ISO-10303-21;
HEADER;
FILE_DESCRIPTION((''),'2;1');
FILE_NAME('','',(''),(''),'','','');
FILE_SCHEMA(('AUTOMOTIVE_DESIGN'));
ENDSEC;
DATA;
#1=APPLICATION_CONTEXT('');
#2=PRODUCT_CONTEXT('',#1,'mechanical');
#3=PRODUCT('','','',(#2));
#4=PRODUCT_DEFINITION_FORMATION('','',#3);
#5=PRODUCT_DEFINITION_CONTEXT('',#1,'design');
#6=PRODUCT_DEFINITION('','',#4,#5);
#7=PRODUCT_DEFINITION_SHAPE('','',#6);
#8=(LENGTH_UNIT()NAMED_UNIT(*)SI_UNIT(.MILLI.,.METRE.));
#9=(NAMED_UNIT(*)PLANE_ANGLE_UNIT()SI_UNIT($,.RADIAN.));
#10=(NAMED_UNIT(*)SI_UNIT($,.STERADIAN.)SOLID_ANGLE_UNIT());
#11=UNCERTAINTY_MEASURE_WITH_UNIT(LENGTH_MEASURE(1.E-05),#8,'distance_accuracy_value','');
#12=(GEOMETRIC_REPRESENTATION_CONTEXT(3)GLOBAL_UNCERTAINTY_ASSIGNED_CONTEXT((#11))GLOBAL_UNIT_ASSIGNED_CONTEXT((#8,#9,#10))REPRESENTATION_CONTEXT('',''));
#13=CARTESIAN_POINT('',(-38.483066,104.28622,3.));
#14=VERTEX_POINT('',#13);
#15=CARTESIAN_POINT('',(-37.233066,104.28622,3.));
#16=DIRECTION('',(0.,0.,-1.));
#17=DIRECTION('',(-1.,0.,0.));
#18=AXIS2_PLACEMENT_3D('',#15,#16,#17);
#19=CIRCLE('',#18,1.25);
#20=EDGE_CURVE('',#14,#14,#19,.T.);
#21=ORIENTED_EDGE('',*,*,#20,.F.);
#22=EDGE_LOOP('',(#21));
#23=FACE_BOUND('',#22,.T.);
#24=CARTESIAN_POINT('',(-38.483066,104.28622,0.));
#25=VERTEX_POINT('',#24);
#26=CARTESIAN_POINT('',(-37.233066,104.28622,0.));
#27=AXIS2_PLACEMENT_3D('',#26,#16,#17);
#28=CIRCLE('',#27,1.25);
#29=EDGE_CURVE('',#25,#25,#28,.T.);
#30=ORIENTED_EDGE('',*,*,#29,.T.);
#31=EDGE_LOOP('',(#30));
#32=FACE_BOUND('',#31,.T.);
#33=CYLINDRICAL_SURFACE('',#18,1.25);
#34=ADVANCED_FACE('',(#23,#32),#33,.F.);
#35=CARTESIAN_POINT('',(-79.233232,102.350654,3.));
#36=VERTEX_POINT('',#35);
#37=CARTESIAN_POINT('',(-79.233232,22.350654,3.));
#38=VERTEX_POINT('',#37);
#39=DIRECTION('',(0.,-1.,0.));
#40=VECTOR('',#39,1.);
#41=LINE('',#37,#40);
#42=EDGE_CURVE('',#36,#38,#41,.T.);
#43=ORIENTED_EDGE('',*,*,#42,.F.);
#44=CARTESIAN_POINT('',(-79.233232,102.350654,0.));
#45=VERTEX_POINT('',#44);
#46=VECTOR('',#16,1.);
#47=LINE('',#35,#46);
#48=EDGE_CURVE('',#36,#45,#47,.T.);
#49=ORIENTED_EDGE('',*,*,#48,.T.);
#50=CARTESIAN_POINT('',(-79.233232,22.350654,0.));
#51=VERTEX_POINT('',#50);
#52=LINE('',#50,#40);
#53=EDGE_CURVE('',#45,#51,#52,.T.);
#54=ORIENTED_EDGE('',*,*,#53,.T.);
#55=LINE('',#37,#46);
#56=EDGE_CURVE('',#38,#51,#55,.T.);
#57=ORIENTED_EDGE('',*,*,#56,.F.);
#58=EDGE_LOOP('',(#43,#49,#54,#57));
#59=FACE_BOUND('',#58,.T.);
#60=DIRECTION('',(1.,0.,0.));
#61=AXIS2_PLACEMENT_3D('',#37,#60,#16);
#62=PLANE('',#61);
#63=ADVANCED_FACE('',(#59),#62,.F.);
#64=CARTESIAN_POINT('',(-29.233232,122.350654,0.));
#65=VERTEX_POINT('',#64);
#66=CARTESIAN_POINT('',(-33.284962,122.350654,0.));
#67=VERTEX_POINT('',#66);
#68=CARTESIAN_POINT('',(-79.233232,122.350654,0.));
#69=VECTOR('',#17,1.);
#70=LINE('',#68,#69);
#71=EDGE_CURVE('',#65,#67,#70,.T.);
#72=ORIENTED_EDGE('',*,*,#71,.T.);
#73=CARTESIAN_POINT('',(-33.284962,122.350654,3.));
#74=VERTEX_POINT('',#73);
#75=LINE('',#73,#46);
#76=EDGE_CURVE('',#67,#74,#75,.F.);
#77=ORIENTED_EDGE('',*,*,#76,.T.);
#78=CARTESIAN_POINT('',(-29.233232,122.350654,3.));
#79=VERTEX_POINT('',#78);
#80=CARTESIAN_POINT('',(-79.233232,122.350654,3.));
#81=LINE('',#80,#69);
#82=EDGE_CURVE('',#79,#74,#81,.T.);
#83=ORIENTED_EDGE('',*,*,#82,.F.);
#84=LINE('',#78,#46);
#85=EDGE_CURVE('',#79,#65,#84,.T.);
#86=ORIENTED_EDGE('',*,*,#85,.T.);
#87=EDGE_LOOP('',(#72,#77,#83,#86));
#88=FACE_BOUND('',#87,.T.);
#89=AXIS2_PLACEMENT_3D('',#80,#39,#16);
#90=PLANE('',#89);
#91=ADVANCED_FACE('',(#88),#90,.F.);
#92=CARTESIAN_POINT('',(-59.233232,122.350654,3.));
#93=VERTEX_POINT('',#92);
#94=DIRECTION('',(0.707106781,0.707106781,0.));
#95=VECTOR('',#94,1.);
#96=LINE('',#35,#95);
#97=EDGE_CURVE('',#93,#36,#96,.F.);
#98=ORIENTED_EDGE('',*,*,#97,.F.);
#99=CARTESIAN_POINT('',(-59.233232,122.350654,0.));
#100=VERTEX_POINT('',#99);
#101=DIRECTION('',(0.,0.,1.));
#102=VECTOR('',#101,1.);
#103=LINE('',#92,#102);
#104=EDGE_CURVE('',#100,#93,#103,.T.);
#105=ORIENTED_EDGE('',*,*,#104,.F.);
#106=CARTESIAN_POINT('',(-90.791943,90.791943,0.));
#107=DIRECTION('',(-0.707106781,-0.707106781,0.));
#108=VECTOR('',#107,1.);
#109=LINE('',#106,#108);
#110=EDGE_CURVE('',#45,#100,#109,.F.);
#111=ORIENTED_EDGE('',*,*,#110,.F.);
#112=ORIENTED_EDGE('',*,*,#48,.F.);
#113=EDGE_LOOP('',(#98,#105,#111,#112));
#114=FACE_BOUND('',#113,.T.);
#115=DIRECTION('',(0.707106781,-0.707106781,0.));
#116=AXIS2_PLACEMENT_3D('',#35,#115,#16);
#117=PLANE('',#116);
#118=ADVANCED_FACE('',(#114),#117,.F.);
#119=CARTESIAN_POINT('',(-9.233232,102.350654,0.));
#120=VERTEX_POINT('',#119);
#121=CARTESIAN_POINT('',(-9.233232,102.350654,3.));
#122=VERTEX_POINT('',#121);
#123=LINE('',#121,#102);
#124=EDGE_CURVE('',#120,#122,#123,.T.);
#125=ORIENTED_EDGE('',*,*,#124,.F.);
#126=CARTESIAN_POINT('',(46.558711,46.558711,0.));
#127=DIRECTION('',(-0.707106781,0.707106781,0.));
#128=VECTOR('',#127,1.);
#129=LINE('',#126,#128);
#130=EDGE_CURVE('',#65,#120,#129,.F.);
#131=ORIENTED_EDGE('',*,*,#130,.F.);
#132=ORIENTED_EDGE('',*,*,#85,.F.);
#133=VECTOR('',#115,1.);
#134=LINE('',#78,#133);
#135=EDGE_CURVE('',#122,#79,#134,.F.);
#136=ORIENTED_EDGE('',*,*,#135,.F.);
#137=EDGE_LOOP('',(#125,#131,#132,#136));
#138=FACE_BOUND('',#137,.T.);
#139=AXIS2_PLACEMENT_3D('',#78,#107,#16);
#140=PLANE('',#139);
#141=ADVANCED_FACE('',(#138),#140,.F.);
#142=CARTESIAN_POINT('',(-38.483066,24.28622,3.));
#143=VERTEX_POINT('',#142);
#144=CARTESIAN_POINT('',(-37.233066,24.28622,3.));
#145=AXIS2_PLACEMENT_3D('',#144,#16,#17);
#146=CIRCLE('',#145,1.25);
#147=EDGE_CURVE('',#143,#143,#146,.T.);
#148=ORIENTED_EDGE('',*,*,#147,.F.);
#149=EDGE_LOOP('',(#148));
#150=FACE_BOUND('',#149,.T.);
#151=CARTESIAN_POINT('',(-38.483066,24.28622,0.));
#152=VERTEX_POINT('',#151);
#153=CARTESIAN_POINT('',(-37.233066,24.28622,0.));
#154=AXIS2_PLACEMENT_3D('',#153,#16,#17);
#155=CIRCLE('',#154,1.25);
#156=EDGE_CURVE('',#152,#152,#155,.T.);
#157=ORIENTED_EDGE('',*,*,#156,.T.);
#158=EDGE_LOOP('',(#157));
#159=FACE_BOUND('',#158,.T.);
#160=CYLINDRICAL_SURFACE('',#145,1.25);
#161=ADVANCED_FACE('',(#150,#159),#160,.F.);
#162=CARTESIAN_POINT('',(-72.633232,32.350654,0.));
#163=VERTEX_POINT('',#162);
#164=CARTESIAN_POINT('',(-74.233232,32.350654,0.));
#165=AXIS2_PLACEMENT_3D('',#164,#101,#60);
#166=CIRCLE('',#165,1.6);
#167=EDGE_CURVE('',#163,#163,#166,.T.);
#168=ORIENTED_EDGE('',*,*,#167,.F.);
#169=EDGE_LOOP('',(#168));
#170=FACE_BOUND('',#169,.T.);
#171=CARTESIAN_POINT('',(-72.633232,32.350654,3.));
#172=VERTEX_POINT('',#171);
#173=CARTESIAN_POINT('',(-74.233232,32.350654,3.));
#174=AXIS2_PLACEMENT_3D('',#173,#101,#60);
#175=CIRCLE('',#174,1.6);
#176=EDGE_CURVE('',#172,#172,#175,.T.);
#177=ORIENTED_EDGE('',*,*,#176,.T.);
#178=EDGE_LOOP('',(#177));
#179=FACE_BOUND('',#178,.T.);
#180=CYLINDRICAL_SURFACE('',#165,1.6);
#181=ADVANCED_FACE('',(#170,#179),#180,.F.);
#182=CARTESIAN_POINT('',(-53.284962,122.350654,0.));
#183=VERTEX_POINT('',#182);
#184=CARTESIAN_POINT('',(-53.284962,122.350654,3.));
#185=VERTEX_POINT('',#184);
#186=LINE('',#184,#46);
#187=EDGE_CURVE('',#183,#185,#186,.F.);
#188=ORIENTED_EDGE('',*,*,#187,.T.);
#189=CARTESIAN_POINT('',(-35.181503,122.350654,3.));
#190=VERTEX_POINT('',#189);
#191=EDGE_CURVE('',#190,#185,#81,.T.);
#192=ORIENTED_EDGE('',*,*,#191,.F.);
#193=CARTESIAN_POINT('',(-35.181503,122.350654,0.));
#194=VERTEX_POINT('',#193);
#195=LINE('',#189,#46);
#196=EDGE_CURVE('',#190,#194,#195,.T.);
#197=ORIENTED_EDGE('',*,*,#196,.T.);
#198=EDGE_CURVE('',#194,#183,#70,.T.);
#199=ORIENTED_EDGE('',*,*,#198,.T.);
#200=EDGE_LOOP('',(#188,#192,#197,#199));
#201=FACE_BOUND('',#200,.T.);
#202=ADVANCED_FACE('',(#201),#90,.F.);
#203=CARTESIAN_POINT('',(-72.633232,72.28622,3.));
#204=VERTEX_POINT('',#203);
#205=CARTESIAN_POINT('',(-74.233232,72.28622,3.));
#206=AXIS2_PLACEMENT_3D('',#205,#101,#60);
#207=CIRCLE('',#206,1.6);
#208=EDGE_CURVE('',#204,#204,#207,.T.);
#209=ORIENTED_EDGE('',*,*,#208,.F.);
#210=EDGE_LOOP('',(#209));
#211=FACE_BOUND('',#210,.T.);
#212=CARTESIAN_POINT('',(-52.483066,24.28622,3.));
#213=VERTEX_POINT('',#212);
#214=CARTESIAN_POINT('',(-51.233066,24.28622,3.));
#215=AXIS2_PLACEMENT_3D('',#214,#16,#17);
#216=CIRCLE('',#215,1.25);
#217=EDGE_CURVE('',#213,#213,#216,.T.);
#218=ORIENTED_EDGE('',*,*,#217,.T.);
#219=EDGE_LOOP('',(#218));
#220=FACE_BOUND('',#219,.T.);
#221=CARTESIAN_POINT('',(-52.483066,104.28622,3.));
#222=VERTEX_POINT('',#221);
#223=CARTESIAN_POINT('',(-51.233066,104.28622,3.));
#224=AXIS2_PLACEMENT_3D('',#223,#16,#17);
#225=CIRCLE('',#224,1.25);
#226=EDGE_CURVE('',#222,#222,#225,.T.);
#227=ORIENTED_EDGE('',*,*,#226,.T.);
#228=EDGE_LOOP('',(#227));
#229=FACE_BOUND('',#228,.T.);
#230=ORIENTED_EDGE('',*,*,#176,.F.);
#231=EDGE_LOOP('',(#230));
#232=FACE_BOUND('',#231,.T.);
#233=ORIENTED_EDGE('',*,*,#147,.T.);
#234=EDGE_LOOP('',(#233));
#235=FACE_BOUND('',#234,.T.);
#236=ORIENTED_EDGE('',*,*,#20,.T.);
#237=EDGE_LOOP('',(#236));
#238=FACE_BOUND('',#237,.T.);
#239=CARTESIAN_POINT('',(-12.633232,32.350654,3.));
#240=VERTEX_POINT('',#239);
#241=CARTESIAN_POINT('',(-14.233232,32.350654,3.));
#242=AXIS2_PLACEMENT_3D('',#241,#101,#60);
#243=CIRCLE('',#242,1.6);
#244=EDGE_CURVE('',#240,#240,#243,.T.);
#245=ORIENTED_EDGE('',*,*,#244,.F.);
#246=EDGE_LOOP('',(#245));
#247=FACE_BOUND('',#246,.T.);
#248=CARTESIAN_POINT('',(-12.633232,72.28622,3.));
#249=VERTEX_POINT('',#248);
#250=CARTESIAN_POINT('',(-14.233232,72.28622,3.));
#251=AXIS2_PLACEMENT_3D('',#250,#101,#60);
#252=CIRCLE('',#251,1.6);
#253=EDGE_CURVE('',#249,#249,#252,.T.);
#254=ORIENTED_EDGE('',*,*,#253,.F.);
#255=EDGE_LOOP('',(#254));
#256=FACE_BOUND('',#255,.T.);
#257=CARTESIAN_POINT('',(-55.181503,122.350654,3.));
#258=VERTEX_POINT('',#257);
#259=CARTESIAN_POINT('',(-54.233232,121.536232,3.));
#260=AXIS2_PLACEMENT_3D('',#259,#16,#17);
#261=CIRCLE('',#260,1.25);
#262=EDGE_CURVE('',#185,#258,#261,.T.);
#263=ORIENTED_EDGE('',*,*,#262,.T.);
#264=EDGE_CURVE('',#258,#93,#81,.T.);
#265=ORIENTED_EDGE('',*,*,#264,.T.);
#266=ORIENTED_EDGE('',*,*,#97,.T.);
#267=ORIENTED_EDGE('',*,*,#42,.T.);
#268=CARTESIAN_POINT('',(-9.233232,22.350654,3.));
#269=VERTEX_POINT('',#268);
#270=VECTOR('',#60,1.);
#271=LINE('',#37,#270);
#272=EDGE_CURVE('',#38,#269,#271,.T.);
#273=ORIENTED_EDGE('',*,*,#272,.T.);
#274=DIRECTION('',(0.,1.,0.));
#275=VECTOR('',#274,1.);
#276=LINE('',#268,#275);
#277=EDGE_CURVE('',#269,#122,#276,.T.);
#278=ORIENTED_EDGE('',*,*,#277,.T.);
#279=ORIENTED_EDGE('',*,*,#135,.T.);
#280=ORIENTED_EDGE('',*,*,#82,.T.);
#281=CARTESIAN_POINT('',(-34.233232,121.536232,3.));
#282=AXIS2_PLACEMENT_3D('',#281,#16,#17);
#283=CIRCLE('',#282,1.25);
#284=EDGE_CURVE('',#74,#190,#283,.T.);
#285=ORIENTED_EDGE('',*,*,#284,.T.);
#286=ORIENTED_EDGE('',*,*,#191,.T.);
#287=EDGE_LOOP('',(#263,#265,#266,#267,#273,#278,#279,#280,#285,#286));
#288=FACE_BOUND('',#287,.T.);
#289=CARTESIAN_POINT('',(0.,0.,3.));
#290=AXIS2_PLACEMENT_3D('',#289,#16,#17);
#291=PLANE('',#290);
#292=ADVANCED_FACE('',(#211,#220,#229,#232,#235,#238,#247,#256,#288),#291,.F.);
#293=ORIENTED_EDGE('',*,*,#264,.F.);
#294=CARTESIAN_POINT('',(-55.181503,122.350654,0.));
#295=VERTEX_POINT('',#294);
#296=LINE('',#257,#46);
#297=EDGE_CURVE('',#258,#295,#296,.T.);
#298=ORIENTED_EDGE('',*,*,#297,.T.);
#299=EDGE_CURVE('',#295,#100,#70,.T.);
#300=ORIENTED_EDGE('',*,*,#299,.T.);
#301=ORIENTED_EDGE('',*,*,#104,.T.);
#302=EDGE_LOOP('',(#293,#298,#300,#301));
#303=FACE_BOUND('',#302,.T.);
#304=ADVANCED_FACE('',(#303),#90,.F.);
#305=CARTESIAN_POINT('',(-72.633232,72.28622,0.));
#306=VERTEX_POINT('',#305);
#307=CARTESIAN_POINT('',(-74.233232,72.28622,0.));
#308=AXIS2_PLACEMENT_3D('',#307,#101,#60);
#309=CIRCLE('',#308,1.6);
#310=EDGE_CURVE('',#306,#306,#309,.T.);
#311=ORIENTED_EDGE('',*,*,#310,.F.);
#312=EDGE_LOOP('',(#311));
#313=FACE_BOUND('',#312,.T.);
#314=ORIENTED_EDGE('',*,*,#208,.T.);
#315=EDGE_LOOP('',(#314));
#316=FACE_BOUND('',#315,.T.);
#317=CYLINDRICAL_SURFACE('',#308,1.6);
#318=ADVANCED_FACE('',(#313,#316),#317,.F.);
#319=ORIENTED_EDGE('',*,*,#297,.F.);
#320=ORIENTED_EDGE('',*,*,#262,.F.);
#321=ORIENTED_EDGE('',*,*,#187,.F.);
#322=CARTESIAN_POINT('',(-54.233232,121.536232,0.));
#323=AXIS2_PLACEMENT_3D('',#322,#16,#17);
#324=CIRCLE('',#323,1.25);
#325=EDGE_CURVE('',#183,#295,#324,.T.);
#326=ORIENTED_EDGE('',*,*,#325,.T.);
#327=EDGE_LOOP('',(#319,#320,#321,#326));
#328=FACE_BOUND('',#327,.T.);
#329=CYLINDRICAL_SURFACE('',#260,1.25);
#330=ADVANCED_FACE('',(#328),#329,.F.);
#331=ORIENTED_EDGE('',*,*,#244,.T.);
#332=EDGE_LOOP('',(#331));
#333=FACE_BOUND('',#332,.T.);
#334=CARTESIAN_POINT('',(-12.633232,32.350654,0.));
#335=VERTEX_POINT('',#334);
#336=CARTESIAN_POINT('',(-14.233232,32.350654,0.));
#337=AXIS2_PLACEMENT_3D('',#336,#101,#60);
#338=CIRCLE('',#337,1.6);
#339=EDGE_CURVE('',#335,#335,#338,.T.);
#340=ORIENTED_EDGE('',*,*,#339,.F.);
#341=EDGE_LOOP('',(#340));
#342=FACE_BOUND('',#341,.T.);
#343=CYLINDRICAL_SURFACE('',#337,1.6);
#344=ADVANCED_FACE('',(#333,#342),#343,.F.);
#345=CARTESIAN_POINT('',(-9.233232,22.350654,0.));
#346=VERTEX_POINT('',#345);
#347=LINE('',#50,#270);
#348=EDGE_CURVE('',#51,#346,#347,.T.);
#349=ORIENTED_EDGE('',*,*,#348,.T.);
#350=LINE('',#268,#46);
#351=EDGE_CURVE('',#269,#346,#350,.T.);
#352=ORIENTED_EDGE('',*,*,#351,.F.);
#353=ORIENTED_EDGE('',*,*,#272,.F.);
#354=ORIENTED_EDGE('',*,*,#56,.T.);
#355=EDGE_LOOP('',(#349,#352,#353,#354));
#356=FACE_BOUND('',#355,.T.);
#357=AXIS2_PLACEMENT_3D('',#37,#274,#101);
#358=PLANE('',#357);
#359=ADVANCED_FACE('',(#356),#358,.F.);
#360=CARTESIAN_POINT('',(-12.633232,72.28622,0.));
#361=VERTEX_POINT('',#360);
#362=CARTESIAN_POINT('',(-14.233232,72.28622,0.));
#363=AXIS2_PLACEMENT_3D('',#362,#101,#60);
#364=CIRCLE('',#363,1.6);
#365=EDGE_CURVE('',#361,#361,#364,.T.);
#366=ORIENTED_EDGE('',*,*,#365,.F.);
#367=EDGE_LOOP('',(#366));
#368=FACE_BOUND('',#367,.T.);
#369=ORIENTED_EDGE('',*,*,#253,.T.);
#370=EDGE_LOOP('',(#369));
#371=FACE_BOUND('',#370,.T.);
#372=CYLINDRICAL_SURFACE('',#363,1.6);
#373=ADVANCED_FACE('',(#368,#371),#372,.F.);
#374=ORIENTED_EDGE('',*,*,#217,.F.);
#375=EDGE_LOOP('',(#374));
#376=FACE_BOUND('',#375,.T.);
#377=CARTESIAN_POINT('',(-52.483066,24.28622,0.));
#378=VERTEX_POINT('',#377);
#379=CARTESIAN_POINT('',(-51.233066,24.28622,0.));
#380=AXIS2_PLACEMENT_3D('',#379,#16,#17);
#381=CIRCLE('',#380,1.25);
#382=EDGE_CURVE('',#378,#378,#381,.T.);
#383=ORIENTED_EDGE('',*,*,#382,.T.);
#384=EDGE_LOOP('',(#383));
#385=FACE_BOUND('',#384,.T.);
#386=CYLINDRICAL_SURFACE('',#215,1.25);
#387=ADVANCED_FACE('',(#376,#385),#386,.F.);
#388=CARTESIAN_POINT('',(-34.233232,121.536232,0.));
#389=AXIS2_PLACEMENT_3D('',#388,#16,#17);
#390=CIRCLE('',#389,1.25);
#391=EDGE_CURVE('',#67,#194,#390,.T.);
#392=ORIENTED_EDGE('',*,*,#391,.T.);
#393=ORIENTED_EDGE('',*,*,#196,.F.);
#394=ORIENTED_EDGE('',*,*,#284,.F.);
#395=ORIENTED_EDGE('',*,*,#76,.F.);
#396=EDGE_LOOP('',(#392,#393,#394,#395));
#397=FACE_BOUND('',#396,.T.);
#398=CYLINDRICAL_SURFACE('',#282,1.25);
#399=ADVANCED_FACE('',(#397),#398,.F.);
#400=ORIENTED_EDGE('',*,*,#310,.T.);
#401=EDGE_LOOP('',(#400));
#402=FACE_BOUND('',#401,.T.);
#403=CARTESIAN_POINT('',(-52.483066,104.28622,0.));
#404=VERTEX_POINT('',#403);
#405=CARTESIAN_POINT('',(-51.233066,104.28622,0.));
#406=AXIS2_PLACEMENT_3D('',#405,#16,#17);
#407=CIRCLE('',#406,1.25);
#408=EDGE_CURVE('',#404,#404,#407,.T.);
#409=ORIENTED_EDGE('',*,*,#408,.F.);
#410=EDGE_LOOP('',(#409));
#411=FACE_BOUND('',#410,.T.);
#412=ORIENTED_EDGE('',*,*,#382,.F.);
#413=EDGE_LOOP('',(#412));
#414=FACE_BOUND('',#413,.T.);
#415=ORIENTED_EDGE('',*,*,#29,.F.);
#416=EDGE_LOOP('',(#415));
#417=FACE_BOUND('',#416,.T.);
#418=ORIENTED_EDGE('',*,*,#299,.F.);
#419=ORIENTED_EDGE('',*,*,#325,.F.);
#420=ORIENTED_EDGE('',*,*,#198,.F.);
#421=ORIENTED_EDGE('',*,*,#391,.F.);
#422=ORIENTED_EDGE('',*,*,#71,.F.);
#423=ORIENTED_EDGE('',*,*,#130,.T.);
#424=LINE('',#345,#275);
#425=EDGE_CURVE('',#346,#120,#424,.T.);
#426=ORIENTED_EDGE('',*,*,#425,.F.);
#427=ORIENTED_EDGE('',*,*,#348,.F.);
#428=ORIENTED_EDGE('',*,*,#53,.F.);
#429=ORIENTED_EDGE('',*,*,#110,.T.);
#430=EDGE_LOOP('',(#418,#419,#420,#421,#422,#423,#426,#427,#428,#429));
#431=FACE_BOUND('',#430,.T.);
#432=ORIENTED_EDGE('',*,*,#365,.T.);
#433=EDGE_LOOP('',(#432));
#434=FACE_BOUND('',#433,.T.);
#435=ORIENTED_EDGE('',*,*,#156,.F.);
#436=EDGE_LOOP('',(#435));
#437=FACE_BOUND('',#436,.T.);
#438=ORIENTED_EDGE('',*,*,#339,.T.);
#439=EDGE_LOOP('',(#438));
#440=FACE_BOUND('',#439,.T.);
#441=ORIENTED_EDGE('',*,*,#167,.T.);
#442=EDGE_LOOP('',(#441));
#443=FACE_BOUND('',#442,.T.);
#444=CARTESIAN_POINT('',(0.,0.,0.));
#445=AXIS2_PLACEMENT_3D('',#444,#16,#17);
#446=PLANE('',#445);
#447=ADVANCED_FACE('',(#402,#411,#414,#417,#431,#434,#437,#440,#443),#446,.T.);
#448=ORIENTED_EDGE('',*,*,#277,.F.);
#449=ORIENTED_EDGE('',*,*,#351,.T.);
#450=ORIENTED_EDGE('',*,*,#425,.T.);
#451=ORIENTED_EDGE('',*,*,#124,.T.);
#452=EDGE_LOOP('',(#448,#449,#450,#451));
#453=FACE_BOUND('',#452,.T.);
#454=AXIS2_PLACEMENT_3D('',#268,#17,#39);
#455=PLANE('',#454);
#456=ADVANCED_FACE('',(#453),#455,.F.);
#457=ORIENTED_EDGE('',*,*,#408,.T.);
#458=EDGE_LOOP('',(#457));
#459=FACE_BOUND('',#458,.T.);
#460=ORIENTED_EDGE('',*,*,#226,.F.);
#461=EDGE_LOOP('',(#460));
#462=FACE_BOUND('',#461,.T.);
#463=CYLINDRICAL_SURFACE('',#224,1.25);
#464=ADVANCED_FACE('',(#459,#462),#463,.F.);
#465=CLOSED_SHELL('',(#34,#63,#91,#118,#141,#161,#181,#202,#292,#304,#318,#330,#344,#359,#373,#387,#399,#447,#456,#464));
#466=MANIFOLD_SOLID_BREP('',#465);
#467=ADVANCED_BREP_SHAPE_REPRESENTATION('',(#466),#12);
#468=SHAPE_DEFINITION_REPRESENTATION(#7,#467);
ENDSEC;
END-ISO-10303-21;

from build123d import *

# Parameters (mm, degrees)
SKETCH_1_W          = 70
SKETCH_1_H          = 100
EXTRUDE_1_DEPTH     = 3
SKETCH_2_R          = 1.6
CUT_EXTRUDE_1_DEPTH = 3
SKETCH_3_R          = 1.25
CUT_EXTRUDE_2_DEPTH = 3
CHAMFER_1_SIZE      = 20


with BuildPart() as part:
    # 草图1 → 凸台-拉伸1 (new body)
    with BuildSketch(Plane.XY):
        with Locations((-44.233232324, 72.350653578)):
            Rectangle(SKETCH_1_W, SKETCH_1_H)
    extrude(amount=EXTRUDE_1_DEPTH)

    # 草图2 → 切除-拉伸1 (cut)
    with BuildSketch(Plane.XY.offset(3)):
        with Locations((-74.233232324, 32.350653578)):
            Circle(SKETCH_2_R)
        with Locations((-14.233232324, 32.350653578)):
            Circle(SKETCH_2_R)
        with Locations((-14.233232324, 72.286219849)):
            Circle(SKETCH_2_R)
        with Locations((-74.233232324, 72.286219849)):
            Circle(SKETCH_2_R)
    extrude(amount=-CUT_EXTRUDE_1_DEPTH, mode=Mode.SUBTRACT)

    # 草图3 → 切除-拉伸2 (cut)
    with BuildSketch(Plane(origin=(0, 0, 0), x_dir=(-1, 0, 0), z_dir=(0, 0, -1))):
        with Locations((37.233066324, 104.286219849)):
            Circle(SKETCH_3_R)
        with Locations((51.233066324, 104.286219849)):
            Circle(SKETCH_3_R)
        with Locations((37.233066324, 24.286219849)):
            Circle(SKETCH_3_R)
        with Locations((51.233066324, 24.286219849)):
            Circle(SKETCH_3_R)
        with Locations((34.233232324, 121.536231848)):
            Circle(SKETCH_3_R)
        with Locations((54.233232324, 121.536231848)):
            Circle(SKETCH_3_R)
    extrude(amount=-CUT_EXTRUDE_2_DEPTH, mode=Mode.SUBTRACT)

    # 倒角1
    chamfer_1_edges = [part.edges().sort_by_distance(p)[0] for p in [
        (-79.233232324, 122.350653578, 1.5),
        (-9.233232324, 122.350653578, 1.5),
    ]]
    chamfer(chamfer_1_edges, length=CHAMFER_1_SIZE)


solid = part.part
